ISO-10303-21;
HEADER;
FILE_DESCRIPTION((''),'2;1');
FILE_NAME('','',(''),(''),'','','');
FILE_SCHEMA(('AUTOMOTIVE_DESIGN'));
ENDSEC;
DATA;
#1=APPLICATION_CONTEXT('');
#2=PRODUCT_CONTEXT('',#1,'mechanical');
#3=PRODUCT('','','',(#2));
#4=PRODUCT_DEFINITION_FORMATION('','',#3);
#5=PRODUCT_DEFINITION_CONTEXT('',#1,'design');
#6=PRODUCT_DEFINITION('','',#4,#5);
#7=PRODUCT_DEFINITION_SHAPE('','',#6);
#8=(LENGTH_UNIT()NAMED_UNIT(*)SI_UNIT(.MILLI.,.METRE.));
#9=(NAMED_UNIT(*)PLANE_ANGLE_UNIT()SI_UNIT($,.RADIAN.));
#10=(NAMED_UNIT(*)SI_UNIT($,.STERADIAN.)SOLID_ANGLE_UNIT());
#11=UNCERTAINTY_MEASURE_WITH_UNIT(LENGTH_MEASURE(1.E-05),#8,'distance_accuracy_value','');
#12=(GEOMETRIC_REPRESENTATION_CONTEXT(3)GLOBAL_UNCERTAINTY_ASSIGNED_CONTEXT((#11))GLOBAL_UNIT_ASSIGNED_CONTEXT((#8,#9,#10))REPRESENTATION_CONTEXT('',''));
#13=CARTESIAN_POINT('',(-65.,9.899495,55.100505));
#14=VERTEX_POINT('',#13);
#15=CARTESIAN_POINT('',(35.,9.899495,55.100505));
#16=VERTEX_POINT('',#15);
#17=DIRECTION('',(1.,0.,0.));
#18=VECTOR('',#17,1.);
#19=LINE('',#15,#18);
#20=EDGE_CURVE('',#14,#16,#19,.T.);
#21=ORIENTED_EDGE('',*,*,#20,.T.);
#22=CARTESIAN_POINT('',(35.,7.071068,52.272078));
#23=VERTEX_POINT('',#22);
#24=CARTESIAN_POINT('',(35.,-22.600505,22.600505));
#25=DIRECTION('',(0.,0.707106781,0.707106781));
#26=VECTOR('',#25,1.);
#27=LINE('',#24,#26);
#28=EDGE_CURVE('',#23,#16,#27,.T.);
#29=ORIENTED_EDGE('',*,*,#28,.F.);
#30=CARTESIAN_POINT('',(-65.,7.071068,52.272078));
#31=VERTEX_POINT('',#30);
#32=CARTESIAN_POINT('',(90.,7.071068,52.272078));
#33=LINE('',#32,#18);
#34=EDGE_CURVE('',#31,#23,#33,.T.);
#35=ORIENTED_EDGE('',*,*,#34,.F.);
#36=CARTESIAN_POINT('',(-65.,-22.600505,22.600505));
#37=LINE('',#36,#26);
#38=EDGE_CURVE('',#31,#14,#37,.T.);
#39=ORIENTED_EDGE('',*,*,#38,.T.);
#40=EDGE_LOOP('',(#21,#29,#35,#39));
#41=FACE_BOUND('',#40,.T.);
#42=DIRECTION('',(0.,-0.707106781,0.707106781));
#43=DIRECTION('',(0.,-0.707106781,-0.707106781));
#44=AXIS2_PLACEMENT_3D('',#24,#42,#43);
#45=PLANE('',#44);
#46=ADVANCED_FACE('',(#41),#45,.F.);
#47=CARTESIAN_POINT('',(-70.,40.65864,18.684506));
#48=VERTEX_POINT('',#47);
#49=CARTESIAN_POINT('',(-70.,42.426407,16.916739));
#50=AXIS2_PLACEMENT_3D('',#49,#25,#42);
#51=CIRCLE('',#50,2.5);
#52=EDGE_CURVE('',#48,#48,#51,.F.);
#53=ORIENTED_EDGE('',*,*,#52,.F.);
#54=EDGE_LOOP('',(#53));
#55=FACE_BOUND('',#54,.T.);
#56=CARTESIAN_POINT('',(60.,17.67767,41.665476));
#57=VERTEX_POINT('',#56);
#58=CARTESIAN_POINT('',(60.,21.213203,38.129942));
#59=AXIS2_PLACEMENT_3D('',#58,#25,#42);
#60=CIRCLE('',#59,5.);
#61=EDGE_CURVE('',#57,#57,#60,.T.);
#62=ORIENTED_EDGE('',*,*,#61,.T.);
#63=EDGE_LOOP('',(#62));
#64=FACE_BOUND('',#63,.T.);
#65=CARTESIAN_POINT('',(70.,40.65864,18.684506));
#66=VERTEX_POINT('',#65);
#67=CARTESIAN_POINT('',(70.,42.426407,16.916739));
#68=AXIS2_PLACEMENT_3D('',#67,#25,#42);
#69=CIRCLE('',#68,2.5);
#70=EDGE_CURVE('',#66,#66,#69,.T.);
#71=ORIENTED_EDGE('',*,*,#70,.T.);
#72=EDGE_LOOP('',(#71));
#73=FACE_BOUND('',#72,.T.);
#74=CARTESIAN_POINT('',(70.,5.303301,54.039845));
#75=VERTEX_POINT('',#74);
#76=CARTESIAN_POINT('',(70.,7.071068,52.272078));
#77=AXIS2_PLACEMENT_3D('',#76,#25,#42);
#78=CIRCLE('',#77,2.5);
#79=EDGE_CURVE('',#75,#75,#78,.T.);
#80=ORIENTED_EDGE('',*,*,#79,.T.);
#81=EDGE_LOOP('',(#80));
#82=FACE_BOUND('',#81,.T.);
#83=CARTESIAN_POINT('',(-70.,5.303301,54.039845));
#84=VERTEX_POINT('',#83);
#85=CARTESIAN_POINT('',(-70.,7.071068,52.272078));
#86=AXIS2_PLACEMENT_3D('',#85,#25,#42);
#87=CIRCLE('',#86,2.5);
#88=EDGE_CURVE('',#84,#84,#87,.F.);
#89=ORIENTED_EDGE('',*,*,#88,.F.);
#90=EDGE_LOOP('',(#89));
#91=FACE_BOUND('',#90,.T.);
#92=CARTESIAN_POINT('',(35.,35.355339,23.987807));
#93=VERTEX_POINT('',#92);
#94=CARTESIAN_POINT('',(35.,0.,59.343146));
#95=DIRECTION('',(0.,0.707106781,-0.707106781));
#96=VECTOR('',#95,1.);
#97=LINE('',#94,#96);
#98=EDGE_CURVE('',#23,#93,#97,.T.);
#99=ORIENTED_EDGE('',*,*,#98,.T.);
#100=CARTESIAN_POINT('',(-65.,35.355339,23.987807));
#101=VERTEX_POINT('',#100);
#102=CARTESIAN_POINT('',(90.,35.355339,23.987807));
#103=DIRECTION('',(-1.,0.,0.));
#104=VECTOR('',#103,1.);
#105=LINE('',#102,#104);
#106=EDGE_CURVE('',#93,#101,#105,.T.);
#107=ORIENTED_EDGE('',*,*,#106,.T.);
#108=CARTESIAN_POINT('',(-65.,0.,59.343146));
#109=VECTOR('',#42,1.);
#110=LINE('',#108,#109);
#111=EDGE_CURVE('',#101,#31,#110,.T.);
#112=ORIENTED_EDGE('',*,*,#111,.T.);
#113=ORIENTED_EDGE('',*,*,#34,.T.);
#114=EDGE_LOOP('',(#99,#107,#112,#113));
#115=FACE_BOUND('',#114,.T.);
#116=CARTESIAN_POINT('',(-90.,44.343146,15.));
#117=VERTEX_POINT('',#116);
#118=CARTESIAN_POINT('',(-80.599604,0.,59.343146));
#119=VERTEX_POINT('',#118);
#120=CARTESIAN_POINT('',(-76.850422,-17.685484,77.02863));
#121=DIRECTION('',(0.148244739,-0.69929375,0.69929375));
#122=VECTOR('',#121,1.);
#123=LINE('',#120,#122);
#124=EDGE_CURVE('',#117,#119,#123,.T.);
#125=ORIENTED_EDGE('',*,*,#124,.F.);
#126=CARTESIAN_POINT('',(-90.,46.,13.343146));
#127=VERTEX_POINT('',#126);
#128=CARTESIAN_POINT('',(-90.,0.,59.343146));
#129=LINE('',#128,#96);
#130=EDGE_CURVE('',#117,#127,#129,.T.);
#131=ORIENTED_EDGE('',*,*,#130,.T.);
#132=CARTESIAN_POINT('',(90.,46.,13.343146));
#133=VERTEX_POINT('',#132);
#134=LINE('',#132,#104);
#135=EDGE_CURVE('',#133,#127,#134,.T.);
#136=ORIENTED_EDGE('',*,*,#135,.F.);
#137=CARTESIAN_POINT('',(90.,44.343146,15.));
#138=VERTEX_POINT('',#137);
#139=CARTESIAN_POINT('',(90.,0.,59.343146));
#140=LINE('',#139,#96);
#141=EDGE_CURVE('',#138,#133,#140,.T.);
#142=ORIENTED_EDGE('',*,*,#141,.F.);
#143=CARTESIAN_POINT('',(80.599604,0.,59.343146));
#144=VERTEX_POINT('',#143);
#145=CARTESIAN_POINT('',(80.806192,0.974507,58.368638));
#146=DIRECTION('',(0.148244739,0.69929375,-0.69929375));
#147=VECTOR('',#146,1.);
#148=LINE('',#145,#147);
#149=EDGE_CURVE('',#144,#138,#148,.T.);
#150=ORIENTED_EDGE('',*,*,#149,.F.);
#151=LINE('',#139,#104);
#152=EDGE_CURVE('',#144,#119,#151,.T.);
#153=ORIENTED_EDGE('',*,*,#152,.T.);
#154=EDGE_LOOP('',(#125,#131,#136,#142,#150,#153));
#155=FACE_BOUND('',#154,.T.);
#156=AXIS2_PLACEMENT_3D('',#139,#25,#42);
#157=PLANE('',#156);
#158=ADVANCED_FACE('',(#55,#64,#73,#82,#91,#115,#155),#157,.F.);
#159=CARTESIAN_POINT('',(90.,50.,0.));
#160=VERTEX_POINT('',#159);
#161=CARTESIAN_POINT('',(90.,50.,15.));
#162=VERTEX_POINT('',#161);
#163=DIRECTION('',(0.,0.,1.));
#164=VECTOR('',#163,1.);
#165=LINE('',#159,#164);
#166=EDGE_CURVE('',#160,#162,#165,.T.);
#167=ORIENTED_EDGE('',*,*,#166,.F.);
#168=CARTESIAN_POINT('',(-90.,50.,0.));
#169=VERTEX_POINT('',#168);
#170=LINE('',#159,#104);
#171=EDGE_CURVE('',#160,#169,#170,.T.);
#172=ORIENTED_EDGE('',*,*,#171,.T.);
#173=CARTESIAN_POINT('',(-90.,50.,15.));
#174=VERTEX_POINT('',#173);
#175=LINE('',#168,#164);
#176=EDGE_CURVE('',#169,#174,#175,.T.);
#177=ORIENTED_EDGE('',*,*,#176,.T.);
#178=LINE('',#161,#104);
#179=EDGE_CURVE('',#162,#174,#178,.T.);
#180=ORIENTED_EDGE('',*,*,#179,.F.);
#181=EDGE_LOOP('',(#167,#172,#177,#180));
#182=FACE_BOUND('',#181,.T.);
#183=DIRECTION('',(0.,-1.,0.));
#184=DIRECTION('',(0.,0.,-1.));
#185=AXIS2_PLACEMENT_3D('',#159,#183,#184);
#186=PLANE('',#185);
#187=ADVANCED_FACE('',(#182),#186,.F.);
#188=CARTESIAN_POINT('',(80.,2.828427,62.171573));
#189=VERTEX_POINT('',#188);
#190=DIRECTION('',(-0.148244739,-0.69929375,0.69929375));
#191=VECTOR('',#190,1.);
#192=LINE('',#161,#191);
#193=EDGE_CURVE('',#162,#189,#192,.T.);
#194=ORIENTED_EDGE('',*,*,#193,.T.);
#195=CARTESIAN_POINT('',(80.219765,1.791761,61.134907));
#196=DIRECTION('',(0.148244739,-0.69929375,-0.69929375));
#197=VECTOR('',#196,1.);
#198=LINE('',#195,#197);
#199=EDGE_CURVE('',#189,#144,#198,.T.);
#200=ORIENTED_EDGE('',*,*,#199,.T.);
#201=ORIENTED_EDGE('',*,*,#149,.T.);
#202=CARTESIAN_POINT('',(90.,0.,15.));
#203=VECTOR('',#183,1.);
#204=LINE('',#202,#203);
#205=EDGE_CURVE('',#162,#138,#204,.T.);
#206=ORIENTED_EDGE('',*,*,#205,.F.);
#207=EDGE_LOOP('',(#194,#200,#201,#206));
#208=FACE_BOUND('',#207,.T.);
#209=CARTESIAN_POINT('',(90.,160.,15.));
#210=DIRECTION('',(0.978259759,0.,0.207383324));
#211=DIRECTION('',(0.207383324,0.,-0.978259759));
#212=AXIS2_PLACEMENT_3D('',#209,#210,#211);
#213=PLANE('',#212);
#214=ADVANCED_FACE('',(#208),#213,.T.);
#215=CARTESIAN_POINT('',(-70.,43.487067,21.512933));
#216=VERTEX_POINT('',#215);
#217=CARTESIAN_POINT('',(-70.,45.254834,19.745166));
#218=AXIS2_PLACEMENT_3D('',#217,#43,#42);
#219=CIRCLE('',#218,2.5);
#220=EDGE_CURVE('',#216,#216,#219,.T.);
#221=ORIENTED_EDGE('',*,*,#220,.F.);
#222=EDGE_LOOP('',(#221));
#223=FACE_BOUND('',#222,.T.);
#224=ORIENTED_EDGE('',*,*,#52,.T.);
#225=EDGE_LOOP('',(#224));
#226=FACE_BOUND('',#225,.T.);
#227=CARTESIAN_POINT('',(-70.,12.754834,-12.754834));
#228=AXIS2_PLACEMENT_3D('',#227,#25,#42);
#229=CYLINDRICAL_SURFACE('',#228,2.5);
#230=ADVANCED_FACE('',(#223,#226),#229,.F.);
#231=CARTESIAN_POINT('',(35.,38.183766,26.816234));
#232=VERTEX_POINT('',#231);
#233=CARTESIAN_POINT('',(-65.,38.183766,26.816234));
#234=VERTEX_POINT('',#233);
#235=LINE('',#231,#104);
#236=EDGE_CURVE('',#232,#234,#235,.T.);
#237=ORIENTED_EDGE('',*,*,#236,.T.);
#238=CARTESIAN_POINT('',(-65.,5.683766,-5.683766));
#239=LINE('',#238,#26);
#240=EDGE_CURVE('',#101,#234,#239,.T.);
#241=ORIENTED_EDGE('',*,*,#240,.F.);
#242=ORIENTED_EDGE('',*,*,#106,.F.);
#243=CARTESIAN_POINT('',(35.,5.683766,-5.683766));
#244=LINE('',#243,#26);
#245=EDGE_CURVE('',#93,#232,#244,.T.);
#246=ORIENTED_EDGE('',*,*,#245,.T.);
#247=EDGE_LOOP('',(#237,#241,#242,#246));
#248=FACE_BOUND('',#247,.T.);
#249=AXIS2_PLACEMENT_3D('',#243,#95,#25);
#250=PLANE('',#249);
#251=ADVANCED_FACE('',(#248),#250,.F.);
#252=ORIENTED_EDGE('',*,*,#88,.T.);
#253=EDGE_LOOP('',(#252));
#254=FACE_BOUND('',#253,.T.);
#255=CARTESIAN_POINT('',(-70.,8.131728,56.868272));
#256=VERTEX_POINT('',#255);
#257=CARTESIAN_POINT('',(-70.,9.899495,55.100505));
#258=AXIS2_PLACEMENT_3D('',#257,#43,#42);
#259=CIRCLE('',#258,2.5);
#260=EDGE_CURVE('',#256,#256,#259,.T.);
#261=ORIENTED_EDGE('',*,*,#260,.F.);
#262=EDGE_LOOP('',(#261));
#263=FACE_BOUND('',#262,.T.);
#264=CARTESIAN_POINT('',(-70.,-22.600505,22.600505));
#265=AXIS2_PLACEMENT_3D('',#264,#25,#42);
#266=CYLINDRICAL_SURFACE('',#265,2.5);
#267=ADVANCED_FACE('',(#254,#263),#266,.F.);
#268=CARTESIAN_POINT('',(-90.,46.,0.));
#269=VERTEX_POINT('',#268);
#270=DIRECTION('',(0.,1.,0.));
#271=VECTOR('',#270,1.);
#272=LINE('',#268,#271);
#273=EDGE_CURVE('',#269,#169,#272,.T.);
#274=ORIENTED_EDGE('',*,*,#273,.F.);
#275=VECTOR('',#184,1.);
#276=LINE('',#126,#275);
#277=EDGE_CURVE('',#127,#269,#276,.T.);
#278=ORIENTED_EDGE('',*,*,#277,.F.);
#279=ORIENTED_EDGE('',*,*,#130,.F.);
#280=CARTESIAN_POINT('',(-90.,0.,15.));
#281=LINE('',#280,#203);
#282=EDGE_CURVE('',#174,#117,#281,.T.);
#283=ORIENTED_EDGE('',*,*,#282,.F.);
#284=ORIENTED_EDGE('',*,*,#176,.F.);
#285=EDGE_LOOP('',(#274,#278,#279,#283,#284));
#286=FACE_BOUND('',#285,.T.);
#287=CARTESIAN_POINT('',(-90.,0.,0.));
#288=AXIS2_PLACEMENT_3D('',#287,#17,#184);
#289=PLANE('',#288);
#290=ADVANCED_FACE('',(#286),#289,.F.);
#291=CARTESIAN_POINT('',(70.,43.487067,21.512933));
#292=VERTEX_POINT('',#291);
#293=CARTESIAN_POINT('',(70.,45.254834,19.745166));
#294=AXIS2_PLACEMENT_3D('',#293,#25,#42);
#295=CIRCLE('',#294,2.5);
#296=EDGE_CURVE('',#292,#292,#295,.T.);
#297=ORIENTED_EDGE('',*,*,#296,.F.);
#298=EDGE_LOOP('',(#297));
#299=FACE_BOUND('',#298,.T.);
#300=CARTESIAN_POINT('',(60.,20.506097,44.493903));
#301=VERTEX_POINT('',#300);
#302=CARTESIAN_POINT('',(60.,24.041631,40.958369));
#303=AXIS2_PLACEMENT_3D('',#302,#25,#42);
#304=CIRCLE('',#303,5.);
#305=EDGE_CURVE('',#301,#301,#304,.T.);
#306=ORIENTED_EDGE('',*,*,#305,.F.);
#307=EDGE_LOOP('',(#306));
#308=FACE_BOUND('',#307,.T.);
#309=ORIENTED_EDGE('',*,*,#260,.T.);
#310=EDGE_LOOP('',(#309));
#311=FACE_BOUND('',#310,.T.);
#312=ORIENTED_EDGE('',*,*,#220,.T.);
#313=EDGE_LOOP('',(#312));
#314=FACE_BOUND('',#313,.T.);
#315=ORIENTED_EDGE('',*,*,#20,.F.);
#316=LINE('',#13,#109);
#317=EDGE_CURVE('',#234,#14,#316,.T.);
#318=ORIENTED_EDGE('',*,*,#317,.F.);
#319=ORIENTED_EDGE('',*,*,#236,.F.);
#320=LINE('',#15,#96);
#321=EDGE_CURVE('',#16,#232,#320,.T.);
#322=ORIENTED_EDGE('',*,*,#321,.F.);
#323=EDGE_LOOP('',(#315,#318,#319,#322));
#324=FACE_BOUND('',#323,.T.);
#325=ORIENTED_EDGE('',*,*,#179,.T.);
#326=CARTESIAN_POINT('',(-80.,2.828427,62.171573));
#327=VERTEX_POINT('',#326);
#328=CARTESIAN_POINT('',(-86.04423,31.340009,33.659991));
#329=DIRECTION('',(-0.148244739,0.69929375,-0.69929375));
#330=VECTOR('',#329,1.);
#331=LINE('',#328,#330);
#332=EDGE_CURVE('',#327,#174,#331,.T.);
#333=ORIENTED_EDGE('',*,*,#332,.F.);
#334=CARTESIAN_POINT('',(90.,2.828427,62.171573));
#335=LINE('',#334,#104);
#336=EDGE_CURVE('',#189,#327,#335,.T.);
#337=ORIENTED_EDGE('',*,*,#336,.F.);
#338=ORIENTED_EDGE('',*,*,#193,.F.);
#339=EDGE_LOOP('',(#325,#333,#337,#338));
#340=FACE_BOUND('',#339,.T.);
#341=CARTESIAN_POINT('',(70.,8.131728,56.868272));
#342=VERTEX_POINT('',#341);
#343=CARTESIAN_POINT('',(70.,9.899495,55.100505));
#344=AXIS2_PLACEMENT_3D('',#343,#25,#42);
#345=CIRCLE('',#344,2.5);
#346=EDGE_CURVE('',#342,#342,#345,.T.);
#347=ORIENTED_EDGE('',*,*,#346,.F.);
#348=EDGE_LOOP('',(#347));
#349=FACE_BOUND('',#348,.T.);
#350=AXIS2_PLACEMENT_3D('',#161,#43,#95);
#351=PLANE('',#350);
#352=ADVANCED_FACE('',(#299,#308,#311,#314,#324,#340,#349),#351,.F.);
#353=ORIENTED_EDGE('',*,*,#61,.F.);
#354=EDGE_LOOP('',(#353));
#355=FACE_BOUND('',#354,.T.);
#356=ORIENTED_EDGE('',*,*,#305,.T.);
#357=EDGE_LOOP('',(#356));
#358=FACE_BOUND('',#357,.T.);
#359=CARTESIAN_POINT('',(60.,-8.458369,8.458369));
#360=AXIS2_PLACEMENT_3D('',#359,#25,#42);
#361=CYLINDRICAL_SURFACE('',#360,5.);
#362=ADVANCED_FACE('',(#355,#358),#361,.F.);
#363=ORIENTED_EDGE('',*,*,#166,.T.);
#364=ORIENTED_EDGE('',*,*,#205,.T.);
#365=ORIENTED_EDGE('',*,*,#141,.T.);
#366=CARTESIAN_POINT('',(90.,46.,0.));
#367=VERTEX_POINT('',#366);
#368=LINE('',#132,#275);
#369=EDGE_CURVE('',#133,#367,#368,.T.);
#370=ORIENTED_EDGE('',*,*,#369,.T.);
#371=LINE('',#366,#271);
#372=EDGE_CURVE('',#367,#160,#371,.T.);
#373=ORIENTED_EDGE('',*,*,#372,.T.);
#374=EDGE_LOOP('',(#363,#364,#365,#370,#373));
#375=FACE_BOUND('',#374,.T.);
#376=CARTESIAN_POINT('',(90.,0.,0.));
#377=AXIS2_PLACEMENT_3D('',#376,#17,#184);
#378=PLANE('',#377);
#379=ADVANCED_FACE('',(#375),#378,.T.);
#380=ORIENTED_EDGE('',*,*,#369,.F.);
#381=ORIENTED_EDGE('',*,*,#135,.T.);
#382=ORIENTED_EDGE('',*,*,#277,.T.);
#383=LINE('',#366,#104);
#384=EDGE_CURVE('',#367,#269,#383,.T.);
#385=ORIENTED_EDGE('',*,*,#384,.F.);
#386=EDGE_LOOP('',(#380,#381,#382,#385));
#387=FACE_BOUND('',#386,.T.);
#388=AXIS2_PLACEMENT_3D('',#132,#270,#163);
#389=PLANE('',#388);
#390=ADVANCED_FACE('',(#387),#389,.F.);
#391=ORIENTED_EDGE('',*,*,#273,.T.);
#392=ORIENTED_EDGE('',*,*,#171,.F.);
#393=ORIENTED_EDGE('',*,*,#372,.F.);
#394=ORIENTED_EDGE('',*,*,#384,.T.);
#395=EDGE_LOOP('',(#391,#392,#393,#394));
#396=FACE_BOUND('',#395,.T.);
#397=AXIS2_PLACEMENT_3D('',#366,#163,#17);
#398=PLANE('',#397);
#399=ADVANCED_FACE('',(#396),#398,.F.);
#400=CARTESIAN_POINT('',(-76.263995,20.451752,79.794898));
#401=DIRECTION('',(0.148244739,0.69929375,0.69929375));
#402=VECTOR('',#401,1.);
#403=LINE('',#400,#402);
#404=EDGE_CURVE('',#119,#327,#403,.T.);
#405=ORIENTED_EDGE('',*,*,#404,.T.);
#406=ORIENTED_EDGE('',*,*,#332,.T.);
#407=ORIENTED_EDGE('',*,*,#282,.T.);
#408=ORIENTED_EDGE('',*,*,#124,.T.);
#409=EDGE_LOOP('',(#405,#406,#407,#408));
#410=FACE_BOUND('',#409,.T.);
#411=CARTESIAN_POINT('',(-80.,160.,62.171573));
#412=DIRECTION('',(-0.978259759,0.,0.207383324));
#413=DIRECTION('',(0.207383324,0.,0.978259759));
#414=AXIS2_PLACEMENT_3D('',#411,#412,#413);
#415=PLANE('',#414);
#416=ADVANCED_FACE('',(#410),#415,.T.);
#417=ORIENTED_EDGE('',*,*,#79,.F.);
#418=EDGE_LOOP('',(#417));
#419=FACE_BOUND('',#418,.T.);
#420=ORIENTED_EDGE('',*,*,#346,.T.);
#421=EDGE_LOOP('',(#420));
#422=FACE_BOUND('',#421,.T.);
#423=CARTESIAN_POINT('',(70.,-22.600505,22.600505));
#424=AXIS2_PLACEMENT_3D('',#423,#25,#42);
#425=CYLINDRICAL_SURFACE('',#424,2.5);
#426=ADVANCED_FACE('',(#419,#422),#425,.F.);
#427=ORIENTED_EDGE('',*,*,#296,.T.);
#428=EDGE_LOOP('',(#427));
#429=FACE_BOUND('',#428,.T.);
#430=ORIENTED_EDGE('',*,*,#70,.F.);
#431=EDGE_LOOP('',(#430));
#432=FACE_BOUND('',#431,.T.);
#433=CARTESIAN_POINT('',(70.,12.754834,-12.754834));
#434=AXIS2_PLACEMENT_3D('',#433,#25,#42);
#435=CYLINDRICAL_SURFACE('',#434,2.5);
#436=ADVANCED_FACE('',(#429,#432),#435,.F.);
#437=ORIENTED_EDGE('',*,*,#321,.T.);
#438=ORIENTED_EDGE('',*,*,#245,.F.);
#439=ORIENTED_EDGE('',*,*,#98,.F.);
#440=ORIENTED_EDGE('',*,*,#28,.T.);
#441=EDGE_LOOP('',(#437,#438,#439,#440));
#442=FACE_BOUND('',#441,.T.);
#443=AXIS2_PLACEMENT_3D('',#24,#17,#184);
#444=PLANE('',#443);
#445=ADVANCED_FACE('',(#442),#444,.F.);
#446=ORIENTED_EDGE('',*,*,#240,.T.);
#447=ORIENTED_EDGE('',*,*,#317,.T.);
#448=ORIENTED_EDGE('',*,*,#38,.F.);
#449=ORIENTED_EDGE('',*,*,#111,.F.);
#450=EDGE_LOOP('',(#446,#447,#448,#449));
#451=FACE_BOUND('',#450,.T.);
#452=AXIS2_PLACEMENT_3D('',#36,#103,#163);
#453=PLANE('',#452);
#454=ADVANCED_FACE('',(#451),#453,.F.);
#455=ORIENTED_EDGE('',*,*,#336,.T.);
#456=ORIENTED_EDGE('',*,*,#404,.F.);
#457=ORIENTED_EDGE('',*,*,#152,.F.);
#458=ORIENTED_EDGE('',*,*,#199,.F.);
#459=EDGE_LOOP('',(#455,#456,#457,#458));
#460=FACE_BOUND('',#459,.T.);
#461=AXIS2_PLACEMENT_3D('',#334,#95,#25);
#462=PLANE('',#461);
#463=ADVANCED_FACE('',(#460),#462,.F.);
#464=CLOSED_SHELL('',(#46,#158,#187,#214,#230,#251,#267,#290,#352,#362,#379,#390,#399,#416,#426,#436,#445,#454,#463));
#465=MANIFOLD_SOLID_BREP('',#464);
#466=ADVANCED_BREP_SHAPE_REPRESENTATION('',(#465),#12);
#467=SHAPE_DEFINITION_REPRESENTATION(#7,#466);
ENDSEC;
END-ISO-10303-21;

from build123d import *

# Parameters (mm, degrees)
EXTRUDE_1_DEPTH     = 90
CUT_EXTRUDE_1_DEPTH = 160
SKETCH_4_W          = 100
SKETCH_4_H          = 40
CUT_EXTRUDE_2_DEPTH = 102.056914657
SKETCH_5_R          = 5
CUT_EXTRUDE_3_DEPTH = 102.056914657
SKETCH_6_R          = 2.5
CUT_EXTRUDE_4_DEPTH = 102.056914657


with BuildPart() as part:
    # 草圖1 → 填料-伸長1 (new, symmetric)
    with BuildSketch(Plane(origin=(0, 0, 0), x_dir=(0, 0, -1), z_dir=(1, 0, 0))):
        Polygon((-59.343145751, 0), (-13.343145751, 46), (0, 46), (0, 50), (-15, 50), (-62.171572875, 2.828427125), align=None)
    extrude(amount=EXTRUDE_1_DEPTH, both=True)

    # 草圖3 → 除料-伸長1 (cut)
    with BuildSketch(Plane(origin=(0, 0, 0), x_dir=(1, 0, 0), z_dir=(0, 1, 0))):
        Polygon((-90, -15), (-90, -62.171572875), (-80, -62.171572875), align=None)
        Polygon((90, -15), (80, -62.171572875), (90, -62.171572875), align=None)
    extrude(amount=CUT_EXTRUDE_1_DEPTH, mode=Mode.SUBTRACT)

    # 草圖4 → 除料-伸長2 (cut, through all)
    with BuildSketch(Plane(origin=(0, 32.5, 32.5), x_dir=(1, 0, 0), z_dir=(0, 0.7071067811865467, 0.7071067811865485))):
        with Locations((-15, -11.961940777)):
            Rectangle(SKETCH_4_W, SKETCH_4_H)
    extrude(amount=-CUT_EXTRUDE_2_DEPTH, mode=Mode.SUBTRACT)

    # 草圖5 → 除料-伸長3 (cut, through all)
    with BuildSketch(Plane(origin=(0, 32.5, 32.5), x_dir=(1, 0, 0), z_dir=(0, 0.7071067811865467, 0.7071067811865485))):
        with Locations(Location((60, -11.961940777, 0), (0, 0, 270))):
            Circle(SKETCH_5_R)
    extrude(amount=-CUT_EXTRUDE_3_DEPTH, mode=Mode.SUBTRACT)

    # 草圖6 → 除料-伸長4 (cut, through all)
    with BuildSketch(Plane(origin=(0, 32.5, 32.5), x_dir=(1, 0, 0), z_dir=(0, 0.7071067811865467, 0.7071067811865485))):
        with Locations(Location((70, -31.961940777, 0), (0, 0, 270))):
            Circle(SKETCH_6_R)
        with Locations(Location((70, 18.038059223, 0), (0, 0, 270))):
            Circle(SKETCH_6_R)
    cut_extrude_4 = extrude(amount=-CUT_EXTRUDE_4_DEPTH, mode=Mode.SUBTRACT)

    # 鏡射1: 除料-伸長4 across plane
    add(cut_extrude_4.mirror(Plane(origin=(0, 0, 0), x_dir=(0, 0, 1), z_dir=(1, 0, 0))), mode=Mode.SUBTRACT)


solid = part.part
